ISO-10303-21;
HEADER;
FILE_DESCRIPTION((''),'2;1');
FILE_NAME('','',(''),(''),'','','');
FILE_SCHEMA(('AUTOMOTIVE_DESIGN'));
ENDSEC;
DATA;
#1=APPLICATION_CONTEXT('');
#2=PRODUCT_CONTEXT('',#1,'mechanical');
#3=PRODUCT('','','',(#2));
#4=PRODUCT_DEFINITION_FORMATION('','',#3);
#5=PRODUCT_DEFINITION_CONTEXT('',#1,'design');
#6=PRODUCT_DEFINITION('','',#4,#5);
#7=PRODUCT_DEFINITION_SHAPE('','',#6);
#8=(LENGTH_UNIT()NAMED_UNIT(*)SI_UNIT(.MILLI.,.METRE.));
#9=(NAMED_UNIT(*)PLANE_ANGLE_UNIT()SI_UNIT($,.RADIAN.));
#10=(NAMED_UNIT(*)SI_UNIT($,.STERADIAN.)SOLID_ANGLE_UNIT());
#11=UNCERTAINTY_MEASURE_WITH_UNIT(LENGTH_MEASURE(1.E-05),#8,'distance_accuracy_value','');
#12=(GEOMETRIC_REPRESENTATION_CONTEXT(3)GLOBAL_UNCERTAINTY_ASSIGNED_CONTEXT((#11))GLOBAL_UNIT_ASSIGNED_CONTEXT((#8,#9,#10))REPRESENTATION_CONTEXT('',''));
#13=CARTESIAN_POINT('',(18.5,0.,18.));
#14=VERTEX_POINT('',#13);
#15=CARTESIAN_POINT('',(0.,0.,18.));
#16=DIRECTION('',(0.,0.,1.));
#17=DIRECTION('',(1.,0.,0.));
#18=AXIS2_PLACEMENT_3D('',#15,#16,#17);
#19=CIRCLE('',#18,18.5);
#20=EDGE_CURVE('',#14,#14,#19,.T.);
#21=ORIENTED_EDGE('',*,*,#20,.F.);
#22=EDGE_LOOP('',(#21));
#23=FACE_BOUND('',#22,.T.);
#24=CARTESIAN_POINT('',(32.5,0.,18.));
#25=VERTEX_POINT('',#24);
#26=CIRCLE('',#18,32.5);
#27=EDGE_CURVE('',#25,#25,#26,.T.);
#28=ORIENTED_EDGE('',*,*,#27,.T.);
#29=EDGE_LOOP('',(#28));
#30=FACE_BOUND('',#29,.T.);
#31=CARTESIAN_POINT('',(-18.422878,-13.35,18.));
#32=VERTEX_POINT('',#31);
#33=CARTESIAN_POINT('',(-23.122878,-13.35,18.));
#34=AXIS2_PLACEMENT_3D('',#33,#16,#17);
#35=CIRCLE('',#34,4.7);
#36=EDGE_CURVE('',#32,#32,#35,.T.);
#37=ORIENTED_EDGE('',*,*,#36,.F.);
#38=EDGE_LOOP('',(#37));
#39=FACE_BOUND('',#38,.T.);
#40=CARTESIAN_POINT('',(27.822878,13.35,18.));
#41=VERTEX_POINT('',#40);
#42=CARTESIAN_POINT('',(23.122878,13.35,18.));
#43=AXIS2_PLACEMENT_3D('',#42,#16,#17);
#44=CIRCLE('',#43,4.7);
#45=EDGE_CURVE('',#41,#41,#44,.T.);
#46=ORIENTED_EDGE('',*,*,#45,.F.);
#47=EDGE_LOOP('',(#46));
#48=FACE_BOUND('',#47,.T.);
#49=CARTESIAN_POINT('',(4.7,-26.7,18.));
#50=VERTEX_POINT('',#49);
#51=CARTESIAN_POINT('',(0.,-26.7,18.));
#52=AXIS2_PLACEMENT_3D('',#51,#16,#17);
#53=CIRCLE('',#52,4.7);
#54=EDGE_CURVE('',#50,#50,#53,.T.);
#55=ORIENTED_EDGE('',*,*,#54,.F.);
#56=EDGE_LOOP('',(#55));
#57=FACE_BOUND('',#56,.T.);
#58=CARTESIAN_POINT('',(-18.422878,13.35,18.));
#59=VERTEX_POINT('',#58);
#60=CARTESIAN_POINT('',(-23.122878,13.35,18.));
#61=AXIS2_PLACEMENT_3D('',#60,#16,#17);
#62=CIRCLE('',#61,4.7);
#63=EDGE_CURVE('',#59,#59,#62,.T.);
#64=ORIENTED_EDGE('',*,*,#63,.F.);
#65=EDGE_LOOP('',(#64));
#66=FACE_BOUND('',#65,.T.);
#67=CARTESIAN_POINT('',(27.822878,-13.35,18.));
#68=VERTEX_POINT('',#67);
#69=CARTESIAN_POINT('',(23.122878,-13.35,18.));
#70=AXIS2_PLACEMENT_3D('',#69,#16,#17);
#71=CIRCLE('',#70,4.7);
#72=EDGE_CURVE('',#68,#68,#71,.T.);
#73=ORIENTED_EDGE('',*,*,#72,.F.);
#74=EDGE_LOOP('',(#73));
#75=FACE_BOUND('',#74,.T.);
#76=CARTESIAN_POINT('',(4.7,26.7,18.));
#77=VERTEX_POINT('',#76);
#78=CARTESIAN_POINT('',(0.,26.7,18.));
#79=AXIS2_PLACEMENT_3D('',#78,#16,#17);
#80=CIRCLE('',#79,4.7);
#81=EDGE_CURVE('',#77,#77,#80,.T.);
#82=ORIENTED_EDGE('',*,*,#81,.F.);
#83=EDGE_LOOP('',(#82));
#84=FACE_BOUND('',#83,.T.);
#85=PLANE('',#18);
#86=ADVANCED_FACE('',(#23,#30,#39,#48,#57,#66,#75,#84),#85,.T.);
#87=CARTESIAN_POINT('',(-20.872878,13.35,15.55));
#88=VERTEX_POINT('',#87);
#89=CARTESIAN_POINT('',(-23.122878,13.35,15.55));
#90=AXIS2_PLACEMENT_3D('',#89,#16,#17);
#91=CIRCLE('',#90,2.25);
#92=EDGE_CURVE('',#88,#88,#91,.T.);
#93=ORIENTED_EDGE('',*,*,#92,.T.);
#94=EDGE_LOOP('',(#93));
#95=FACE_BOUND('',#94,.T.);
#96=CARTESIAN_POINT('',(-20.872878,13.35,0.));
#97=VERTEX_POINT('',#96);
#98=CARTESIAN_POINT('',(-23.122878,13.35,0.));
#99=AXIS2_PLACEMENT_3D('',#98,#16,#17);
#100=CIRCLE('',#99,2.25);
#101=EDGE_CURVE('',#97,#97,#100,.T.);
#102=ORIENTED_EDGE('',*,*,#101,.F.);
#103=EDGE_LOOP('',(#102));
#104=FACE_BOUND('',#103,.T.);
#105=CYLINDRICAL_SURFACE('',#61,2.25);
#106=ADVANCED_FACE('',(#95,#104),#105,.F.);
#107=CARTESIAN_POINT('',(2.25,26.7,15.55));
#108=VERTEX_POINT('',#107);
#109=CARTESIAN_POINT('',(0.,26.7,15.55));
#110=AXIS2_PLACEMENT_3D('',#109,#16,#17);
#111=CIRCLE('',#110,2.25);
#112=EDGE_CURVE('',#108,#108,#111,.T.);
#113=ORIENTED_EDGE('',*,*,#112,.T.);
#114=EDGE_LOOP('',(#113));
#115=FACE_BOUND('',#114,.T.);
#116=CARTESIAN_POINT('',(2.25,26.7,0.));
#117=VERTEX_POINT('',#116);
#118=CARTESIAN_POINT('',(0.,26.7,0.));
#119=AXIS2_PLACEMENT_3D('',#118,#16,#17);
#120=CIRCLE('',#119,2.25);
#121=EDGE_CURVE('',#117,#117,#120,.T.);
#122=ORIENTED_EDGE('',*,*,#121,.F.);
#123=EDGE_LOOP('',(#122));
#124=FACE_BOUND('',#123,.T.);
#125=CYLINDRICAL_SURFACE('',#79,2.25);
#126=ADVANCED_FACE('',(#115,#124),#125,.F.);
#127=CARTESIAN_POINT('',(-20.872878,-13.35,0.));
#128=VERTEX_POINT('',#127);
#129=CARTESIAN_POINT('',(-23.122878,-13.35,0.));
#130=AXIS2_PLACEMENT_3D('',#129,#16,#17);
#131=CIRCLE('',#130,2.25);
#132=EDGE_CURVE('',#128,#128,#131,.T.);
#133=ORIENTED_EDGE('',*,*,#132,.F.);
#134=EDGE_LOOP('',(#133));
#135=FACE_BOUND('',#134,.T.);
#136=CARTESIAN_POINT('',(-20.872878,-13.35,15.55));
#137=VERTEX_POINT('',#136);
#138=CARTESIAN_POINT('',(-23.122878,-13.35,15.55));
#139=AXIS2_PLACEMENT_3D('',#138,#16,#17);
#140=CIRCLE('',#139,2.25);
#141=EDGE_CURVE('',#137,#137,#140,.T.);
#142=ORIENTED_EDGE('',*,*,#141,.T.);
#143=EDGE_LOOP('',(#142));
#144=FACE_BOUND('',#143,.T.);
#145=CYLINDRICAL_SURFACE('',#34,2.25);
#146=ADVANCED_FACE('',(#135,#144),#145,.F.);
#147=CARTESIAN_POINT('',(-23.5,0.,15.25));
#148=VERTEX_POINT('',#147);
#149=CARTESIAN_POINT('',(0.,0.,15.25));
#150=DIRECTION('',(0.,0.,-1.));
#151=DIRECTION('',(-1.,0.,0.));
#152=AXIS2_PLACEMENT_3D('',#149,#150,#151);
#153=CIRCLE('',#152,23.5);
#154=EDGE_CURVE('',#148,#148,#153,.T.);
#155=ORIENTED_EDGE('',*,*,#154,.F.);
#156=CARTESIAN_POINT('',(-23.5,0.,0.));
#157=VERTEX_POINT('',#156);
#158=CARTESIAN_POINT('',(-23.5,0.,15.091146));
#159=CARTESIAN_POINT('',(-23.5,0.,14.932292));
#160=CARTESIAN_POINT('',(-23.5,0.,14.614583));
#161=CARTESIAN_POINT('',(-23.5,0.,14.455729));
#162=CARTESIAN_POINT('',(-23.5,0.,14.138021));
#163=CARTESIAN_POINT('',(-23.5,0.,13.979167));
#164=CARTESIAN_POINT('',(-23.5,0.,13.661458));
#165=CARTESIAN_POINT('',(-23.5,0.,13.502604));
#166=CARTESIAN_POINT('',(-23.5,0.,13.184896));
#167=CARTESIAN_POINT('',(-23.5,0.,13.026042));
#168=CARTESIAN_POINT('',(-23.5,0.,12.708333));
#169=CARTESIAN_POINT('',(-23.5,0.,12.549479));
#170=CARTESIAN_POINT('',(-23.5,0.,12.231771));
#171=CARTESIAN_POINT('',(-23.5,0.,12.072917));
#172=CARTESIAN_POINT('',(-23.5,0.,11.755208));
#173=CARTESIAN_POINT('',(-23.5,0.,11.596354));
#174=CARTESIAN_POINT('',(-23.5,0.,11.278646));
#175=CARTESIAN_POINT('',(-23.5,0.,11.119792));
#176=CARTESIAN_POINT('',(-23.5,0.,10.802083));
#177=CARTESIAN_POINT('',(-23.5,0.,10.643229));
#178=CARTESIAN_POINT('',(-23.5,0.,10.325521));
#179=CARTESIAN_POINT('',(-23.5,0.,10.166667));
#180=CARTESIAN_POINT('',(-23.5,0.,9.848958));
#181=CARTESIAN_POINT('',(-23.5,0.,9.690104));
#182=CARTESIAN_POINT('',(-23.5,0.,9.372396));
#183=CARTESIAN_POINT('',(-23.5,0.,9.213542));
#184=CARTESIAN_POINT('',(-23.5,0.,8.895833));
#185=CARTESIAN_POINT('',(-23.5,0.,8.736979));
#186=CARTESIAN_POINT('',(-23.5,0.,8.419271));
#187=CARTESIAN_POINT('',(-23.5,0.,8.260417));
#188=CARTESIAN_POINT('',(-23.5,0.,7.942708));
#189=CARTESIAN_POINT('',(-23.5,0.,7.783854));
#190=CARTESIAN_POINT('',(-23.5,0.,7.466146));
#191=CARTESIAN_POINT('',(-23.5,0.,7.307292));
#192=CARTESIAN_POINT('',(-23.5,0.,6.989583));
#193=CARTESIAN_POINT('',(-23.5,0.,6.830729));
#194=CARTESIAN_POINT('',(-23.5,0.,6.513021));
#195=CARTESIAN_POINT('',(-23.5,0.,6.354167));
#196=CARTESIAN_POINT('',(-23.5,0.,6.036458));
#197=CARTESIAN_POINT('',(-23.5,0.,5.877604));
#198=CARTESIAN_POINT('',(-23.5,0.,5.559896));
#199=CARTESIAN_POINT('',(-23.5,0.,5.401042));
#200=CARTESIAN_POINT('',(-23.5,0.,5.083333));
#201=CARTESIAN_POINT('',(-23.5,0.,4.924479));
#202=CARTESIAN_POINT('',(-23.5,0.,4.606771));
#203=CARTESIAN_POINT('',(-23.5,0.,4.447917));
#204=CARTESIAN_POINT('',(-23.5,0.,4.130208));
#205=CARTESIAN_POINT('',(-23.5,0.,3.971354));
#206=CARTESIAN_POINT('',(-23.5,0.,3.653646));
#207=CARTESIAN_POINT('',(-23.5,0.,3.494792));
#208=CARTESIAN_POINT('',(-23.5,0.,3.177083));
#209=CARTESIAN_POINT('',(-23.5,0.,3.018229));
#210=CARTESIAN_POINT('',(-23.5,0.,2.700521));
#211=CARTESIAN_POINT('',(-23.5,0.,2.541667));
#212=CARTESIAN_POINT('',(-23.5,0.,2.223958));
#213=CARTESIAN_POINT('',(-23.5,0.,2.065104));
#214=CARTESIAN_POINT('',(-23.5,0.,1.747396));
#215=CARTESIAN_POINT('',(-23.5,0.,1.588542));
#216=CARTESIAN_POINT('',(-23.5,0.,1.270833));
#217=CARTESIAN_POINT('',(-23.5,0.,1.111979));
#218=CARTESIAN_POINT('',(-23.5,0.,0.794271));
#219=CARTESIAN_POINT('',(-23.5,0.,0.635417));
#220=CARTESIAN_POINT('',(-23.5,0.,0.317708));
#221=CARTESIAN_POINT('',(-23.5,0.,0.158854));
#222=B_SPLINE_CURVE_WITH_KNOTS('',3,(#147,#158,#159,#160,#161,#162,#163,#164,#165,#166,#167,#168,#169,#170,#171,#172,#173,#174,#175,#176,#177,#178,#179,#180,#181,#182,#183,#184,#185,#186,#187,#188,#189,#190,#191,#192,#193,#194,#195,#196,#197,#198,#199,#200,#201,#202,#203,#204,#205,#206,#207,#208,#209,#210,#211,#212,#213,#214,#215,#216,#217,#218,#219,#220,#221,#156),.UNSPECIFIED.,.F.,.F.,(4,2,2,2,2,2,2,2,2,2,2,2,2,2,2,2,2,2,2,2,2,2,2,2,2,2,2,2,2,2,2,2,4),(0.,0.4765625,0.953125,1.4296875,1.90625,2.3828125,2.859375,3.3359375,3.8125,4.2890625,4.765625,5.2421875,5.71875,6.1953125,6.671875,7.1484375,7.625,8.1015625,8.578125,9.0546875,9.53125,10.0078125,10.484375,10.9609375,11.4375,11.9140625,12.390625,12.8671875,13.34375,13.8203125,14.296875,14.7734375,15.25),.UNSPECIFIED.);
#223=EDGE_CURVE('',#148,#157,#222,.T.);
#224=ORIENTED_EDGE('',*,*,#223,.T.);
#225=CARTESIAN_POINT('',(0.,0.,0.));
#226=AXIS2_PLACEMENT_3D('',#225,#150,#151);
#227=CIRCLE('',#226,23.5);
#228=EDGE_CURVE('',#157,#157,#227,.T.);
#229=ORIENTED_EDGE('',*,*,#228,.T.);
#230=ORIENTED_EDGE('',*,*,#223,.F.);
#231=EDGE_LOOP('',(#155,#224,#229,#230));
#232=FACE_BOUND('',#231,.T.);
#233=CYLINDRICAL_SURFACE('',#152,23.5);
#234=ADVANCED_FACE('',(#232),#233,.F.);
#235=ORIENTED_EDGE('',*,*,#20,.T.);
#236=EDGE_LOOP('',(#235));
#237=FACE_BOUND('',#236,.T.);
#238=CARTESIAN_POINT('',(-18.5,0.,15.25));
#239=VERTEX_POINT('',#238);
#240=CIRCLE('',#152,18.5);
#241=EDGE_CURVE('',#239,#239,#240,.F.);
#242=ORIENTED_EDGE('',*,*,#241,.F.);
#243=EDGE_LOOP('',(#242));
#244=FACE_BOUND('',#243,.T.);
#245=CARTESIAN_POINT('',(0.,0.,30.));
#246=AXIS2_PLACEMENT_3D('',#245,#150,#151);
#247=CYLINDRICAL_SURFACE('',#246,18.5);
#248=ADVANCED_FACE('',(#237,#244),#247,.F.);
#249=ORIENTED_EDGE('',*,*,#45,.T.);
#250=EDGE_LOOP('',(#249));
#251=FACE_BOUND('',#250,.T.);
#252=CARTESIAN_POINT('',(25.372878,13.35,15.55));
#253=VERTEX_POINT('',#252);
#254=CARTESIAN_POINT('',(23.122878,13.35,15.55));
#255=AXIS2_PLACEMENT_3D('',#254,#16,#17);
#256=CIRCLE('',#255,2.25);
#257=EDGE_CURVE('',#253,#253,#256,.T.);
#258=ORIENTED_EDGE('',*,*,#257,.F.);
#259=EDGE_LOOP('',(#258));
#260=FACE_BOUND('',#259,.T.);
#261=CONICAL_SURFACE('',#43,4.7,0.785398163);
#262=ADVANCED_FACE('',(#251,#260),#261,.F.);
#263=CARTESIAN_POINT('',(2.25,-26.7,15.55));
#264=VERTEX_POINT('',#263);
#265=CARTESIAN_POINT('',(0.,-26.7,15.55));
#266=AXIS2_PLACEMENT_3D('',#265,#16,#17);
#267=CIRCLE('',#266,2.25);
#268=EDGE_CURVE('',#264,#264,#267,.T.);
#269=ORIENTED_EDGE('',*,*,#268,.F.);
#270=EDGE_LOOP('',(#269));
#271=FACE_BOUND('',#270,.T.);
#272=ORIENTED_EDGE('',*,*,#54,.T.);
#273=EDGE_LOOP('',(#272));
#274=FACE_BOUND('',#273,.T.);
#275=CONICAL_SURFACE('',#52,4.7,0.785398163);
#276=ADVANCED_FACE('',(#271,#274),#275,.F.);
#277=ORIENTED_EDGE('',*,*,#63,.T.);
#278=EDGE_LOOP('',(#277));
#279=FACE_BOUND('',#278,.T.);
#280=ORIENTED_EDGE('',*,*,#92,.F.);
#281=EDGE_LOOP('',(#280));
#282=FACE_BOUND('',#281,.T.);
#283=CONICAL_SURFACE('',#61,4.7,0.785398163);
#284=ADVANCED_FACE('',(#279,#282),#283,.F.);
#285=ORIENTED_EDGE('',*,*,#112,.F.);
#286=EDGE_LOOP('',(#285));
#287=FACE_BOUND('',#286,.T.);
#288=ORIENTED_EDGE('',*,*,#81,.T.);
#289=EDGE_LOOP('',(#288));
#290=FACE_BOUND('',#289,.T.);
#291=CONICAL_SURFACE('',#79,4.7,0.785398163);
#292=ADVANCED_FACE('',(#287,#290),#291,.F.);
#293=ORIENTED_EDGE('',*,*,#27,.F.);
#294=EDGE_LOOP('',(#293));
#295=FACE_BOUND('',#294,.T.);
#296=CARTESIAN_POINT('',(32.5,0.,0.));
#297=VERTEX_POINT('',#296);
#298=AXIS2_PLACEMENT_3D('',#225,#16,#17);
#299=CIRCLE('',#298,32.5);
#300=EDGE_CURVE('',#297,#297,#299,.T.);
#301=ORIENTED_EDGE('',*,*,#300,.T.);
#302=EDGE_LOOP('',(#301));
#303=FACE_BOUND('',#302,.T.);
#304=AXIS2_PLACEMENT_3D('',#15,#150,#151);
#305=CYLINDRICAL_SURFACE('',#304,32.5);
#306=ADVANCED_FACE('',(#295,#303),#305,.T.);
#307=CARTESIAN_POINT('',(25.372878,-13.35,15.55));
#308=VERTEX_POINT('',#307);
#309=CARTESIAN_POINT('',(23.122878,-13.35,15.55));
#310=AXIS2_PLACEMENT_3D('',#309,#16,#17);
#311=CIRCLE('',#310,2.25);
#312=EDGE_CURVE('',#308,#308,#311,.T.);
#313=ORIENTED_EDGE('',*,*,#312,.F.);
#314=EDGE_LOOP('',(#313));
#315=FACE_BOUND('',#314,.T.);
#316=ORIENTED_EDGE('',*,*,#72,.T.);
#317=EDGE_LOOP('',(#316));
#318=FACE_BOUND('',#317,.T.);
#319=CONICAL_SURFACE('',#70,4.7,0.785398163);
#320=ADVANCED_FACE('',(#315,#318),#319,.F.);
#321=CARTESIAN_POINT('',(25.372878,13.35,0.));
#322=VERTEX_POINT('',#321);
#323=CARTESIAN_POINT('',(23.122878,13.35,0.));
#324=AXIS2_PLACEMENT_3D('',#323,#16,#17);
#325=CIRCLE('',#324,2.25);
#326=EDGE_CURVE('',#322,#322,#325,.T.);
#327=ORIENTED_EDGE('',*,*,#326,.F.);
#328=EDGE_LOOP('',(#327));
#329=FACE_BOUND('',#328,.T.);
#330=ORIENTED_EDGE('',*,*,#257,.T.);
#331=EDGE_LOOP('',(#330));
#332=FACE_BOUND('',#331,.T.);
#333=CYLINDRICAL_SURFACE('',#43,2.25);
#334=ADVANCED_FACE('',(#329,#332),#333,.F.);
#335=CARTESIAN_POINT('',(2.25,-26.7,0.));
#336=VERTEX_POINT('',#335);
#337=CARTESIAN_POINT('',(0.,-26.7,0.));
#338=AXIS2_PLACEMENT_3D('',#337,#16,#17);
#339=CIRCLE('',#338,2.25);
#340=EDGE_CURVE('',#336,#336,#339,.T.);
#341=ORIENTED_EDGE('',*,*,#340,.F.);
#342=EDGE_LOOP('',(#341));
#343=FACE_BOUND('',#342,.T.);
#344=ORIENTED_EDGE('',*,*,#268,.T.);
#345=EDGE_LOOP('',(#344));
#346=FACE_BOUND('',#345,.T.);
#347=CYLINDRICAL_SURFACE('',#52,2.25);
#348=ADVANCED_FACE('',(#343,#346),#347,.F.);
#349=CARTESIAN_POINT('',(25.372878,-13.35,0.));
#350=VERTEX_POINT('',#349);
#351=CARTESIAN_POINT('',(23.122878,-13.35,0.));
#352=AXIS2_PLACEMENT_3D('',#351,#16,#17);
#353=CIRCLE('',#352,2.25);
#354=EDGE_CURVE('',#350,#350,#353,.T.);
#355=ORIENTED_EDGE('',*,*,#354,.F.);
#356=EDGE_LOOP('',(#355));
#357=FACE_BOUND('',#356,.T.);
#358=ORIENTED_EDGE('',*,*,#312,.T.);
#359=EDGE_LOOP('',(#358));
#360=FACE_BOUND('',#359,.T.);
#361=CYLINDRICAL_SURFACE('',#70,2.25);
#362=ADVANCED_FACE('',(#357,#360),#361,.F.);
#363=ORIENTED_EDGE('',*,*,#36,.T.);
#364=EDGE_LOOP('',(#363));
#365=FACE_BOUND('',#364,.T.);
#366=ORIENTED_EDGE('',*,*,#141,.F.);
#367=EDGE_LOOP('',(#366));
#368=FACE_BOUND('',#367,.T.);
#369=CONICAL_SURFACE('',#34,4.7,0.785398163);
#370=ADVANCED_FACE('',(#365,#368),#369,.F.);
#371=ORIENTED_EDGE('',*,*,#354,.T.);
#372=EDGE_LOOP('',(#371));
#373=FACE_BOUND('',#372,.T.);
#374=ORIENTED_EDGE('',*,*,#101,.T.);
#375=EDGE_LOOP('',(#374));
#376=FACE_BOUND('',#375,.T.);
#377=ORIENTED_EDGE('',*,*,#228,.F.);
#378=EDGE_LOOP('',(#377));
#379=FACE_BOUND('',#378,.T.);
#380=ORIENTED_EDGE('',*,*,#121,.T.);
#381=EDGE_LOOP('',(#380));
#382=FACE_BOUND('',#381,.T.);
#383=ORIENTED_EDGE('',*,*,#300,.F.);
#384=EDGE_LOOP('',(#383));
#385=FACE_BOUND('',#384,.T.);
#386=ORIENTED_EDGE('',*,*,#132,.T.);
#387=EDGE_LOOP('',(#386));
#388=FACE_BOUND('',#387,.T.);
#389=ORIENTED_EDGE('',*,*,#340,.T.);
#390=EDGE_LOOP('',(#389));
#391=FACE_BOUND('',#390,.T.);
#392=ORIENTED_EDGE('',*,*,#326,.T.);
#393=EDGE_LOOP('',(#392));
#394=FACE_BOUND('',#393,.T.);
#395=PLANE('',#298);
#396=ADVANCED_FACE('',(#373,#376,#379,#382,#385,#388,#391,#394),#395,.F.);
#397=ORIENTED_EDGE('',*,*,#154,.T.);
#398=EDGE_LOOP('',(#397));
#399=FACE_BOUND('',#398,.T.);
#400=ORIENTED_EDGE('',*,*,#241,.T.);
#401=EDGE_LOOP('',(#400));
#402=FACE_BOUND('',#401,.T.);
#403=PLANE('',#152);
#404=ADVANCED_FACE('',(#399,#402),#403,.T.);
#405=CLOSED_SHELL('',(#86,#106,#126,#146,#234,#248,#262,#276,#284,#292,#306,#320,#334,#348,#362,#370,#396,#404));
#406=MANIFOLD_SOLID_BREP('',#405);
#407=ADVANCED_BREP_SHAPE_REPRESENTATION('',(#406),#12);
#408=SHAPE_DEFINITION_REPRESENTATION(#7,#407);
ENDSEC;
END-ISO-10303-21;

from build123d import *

# Parameters (mm, degrees)
SKETCH1_R                                       = 32.5
BOSS_EXTRUDE1_DEPTH                             = 18
CSK_FOR_M4_FLAT_HEAD_MACHINE_SCREW1_D           = 4.5
CSK_FOR_M4_FLAT_HEAD_MACHINE_SCREW1_CSINK_D     = 9.4
CSK_FOR_M4_FLAT_HEAD_MACHINE_SCREW1_CSINK_ANGLE = 90
CIRPATTERN1_COUNT                               = 6
SKETCH4_R                                       = 18.5
CUT_EXTRUDE1_DEPTH                              = 30
SKETCH5_R                                       = 23.5
CUT_EXTRUDE2_DEPTH                              = 15.25


with BuildPart() as part:
    # Sketch1 → Boss-Extrude1 (new body)
    with BuildSketch(Plane.XY):
        Circle(SKETCH1_R)
    extrude(amount=BOSS_EXTRUDE1_DEPTH)

    # CSK for M4 Flat Head Machine Screw1 (through all)
    with Locations(Plane.XY.offset(18)):
        with Locations((0, 26.7)):
            csk_for_m4_flat_head_machine_screw1 = CounterSinkHole(CSK_FOR_M4_FLAT_HEAD_MACHINE_SCREW1_D / 2, CSK_FOR_M4_FLAT_HEAD_MACHINE_SCREW1_CSINK_D / 2, counter_sink_angle=CSK_FOR_M4_FLAT_HEAD_MACHINE_SCREW1_CSINK_ANGLE)

    # CirPattern1: CSK for M4 Flat Head Machine Screw1 ×6 about axis
    cirpattern1_axis = Axis((0, 0, 0), (0, 0, 1))
    for i in range(1, CIRPATTERN1_COUNT):
        add(csk_for_m4_flat_head_machine_screw1.rotate(cirpattern1_axis, i * 360 / CIRPATTERN1_COUNT), mode=Mode.SUBTRACT)

    # Sketch4 → Cut-Extrude1 (cut)
    with BuildSketch(Plane(origin=(0, 0, 0), x_dir=(-1, 0, 0), z_dir=(0, 0, -1))):
        Circle(SKETCH4_R)
    extrude(amount=-CUT_EXTRUDE1_DEPTH, mode=Mode.SUBTRACT)

    # Sketch5 → Cut-Extrude2 (cut)
    with BuildSketch(Plane(origin=(0, 0, 0), x_dir=(-1, 0, 0), z_dir=(0, 0, -1))):
        Circle(SKETCH5_R)
    extrude(amount=-CUT_EXTRUDE2_DEPTH, mode=Mode.SUBTRACT)


solid = part.part
